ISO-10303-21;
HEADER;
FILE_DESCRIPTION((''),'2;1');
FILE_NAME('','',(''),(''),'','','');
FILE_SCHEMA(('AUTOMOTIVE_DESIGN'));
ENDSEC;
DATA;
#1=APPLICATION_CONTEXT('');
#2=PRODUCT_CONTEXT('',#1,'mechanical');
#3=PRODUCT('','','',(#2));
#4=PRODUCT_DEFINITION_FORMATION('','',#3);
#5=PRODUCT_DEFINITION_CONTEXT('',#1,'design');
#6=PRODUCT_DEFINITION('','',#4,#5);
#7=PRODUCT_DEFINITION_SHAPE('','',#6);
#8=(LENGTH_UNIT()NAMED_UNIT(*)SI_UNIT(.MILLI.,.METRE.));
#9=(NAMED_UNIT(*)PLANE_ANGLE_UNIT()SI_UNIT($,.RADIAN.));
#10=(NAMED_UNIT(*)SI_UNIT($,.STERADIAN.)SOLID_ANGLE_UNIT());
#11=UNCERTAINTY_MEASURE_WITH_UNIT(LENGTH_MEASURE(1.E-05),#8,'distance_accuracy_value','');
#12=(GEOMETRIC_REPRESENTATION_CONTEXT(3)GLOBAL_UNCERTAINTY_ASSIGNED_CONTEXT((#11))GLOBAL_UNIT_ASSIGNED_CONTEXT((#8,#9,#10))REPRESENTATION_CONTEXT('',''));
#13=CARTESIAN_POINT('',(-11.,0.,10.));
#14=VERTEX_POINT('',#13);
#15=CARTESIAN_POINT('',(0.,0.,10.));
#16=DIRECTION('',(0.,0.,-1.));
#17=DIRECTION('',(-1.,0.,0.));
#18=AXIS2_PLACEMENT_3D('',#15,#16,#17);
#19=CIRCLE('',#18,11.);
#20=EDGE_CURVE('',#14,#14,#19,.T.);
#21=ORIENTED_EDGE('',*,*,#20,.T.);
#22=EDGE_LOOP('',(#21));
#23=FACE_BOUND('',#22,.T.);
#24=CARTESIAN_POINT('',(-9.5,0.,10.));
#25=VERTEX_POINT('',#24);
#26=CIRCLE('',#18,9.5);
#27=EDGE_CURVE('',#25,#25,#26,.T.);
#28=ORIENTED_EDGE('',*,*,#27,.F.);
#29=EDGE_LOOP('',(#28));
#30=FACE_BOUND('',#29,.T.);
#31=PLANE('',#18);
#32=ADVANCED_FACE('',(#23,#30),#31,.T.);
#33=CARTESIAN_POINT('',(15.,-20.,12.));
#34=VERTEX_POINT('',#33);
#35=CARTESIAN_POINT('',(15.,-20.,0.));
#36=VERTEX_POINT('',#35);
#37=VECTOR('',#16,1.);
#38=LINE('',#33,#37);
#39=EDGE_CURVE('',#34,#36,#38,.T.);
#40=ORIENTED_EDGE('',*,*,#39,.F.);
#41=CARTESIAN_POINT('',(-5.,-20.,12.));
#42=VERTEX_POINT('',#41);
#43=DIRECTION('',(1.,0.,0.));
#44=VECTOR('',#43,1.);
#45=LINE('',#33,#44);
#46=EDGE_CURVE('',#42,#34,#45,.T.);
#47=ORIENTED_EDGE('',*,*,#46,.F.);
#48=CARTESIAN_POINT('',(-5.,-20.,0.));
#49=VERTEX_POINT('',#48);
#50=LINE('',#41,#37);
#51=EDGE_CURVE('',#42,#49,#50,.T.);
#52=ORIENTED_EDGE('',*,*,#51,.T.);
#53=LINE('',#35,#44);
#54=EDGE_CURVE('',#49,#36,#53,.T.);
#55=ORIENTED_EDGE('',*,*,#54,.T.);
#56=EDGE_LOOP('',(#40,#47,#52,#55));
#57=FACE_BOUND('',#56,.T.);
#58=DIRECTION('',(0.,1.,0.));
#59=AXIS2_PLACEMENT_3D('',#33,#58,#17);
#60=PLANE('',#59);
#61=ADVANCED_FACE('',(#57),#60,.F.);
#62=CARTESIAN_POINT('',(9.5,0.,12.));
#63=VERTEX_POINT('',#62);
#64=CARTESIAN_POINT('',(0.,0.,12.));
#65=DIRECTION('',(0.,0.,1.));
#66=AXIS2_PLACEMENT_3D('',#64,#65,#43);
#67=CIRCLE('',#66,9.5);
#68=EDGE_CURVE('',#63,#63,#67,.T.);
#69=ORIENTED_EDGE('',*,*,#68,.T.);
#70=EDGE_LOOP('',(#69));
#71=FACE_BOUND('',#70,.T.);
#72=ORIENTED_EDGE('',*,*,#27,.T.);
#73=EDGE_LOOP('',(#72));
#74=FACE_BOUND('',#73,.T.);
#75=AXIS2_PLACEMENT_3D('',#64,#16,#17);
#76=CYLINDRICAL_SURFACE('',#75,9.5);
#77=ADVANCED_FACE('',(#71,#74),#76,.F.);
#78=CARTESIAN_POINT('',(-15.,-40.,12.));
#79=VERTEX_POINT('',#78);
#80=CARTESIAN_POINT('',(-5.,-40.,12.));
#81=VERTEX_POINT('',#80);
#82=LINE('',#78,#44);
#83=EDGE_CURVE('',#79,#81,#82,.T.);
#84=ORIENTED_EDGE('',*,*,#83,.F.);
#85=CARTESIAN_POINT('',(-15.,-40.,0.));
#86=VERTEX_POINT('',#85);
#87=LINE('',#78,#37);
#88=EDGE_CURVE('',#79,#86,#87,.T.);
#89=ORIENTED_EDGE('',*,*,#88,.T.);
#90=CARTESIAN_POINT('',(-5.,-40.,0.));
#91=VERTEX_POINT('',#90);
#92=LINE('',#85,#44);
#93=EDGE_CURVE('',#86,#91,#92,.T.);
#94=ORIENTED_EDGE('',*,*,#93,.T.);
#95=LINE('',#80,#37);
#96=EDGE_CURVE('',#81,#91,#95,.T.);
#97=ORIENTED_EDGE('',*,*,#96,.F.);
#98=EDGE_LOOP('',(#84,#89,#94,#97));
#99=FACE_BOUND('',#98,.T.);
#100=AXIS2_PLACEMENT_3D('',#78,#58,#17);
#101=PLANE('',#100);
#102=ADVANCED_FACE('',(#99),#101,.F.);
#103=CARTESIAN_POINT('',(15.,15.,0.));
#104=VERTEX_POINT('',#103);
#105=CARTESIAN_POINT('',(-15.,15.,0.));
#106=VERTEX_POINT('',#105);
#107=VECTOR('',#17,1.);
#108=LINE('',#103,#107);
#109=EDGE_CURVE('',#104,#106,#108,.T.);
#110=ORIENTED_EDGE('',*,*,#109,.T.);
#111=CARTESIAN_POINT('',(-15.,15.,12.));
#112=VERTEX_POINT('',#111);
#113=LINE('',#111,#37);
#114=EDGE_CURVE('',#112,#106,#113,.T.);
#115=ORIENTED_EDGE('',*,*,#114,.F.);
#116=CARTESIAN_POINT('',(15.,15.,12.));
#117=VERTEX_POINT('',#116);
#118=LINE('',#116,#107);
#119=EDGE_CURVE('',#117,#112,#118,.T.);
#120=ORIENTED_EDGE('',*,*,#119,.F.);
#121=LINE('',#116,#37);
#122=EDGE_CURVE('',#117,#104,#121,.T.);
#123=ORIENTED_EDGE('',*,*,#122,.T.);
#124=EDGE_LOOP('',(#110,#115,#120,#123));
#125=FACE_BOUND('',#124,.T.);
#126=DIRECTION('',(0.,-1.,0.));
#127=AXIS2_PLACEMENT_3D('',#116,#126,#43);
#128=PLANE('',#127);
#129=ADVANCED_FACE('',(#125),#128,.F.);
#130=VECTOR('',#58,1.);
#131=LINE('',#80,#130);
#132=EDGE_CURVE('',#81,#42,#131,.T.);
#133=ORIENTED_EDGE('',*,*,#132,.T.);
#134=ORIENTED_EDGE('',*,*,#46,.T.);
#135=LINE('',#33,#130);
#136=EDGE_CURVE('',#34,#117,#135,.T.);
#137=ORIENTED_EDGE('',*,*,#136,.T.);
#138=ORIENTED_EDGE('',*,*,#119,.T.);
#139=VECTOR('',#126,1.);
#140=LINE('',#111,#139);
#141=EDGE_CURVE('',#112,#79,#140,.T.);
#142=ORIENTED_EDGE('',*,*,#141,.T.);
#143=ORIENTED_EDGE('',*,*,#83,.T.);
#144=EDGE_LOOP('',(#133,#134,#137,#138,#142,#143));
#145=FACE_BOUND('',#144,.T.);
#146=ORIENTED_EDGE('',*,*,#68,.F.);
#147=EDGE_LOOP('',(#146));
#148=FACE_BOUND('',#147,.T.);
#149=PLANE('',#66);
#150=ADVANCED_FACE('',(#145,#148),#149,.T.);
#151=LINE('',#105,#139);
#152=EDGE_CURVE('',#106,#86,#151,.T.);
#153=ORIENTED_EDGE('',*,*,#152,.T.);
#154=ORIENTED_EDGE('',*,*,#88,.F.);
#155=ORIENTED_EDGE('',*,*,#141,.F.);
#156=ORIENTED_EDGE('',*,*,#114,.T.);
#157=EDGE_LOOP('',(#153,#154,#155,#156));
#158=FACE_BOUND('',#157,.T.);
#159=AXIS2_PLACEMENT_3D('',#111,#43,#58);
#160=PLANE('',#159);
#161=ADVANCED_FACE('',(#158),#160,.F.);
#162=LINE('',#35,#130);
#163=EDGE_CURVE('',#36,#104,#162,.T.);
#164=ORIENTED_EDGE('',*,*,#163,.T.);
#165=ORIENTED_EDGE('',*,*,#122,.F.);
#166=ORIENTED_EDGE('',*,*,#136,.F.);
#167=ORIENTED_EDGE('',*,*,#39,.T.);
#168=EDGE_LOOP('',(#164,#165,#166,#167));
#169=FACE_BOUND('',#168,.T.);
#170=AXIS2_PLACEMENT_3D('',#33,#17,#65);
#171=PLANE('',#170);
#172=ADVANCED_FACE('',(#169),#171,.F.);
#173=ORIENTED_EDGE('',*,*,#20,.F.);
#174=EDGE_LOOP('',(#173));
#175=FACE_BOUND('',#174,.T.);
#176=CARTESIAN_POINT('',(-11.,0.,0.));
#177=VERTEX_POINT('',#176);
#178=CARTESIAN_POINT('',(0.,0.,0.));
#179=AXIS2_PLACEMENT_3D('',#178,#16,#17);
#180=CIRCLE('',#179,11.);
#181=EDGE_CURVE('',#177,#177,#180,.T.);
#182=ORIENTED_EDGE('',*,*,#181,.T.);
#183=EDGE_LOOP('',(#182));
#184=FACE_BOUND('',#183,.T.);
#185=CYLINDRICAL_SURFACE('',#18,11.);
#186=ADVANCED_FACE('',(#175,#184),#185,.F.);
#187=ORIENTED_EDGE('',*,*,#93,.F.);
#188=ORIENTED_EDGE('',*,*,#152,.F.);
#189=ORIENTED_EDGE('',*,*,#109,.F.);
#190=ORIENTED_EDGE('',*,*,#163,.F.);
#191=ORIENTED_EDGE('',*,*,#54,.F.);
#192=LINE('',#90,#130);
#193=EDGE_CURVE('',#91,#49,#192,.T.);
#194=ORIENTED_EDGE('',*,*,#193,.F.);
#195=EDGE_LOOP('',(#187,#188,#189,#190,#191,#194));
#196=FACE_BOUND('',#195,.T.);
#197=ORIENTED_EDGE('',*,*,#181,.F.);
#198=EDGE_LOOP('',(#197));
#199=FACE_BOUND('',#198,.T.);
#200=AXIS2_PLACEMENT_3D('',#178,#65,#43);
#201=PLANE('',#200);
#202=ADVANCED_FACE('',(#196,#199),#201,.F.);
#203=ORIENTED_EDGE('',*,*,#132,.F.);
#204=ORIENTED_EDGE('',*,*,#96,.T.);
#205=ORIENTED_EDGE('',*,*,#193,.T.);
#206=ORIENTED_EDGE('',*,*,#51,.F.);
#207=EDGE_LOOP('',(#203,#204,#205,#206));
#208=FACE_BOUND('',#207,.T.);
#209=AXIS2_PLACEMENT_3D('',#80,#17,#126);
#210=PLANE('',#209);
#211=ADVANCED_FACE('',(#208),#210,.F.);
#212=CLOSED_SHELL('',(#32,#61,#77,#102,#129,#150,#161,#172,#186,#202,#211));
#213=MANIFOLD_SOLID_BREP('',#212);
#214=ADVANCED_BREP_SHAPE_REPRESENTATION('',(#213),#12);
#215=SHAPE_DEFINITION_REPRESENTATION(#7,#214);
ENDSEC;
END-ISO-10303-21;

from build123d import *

# Parameters (mm, degrees)
SKIZZE1_R                       = 9.5
AUFSATZ_LINEAR_AUSTRAGEN2_DEPTH = 12
SKIZZE9_R                       = 11
SCHNITT_LINEAR_AUSTRAGEN2_DEPTH = 10


with BuildPart() as part:
    # Skizze1 → Aufsatz-Linear austragen2 (new body)
    with BuildSketch(Plane.XY):
        Polygon((15, 15), (-15, 15), (-15, -40), (-5, -40), (-5, -20), (15, -20), align=None)
        Circle(SKIZZE1_R, mode=Mode.SUBTRACT)
    extrude(amount=AUFSATZ_LINEAR_AUSTRAGEN2_DEPTH)

    # Skizze9 → Schnitt-Linear austragen2 (cut)
    with BuildSketch(Plane(origin=(0, 0, 0), x_dir=(-1, 0, 0), z_dir=(0, 0, -1))):
        Circle(SKIZZE9_R)
    extrude(amount=-SCHNITT_LINEAR_AUSTRAGEN2_DEPTH, mode=Mode.SUBTRACT)


solid = part.part
